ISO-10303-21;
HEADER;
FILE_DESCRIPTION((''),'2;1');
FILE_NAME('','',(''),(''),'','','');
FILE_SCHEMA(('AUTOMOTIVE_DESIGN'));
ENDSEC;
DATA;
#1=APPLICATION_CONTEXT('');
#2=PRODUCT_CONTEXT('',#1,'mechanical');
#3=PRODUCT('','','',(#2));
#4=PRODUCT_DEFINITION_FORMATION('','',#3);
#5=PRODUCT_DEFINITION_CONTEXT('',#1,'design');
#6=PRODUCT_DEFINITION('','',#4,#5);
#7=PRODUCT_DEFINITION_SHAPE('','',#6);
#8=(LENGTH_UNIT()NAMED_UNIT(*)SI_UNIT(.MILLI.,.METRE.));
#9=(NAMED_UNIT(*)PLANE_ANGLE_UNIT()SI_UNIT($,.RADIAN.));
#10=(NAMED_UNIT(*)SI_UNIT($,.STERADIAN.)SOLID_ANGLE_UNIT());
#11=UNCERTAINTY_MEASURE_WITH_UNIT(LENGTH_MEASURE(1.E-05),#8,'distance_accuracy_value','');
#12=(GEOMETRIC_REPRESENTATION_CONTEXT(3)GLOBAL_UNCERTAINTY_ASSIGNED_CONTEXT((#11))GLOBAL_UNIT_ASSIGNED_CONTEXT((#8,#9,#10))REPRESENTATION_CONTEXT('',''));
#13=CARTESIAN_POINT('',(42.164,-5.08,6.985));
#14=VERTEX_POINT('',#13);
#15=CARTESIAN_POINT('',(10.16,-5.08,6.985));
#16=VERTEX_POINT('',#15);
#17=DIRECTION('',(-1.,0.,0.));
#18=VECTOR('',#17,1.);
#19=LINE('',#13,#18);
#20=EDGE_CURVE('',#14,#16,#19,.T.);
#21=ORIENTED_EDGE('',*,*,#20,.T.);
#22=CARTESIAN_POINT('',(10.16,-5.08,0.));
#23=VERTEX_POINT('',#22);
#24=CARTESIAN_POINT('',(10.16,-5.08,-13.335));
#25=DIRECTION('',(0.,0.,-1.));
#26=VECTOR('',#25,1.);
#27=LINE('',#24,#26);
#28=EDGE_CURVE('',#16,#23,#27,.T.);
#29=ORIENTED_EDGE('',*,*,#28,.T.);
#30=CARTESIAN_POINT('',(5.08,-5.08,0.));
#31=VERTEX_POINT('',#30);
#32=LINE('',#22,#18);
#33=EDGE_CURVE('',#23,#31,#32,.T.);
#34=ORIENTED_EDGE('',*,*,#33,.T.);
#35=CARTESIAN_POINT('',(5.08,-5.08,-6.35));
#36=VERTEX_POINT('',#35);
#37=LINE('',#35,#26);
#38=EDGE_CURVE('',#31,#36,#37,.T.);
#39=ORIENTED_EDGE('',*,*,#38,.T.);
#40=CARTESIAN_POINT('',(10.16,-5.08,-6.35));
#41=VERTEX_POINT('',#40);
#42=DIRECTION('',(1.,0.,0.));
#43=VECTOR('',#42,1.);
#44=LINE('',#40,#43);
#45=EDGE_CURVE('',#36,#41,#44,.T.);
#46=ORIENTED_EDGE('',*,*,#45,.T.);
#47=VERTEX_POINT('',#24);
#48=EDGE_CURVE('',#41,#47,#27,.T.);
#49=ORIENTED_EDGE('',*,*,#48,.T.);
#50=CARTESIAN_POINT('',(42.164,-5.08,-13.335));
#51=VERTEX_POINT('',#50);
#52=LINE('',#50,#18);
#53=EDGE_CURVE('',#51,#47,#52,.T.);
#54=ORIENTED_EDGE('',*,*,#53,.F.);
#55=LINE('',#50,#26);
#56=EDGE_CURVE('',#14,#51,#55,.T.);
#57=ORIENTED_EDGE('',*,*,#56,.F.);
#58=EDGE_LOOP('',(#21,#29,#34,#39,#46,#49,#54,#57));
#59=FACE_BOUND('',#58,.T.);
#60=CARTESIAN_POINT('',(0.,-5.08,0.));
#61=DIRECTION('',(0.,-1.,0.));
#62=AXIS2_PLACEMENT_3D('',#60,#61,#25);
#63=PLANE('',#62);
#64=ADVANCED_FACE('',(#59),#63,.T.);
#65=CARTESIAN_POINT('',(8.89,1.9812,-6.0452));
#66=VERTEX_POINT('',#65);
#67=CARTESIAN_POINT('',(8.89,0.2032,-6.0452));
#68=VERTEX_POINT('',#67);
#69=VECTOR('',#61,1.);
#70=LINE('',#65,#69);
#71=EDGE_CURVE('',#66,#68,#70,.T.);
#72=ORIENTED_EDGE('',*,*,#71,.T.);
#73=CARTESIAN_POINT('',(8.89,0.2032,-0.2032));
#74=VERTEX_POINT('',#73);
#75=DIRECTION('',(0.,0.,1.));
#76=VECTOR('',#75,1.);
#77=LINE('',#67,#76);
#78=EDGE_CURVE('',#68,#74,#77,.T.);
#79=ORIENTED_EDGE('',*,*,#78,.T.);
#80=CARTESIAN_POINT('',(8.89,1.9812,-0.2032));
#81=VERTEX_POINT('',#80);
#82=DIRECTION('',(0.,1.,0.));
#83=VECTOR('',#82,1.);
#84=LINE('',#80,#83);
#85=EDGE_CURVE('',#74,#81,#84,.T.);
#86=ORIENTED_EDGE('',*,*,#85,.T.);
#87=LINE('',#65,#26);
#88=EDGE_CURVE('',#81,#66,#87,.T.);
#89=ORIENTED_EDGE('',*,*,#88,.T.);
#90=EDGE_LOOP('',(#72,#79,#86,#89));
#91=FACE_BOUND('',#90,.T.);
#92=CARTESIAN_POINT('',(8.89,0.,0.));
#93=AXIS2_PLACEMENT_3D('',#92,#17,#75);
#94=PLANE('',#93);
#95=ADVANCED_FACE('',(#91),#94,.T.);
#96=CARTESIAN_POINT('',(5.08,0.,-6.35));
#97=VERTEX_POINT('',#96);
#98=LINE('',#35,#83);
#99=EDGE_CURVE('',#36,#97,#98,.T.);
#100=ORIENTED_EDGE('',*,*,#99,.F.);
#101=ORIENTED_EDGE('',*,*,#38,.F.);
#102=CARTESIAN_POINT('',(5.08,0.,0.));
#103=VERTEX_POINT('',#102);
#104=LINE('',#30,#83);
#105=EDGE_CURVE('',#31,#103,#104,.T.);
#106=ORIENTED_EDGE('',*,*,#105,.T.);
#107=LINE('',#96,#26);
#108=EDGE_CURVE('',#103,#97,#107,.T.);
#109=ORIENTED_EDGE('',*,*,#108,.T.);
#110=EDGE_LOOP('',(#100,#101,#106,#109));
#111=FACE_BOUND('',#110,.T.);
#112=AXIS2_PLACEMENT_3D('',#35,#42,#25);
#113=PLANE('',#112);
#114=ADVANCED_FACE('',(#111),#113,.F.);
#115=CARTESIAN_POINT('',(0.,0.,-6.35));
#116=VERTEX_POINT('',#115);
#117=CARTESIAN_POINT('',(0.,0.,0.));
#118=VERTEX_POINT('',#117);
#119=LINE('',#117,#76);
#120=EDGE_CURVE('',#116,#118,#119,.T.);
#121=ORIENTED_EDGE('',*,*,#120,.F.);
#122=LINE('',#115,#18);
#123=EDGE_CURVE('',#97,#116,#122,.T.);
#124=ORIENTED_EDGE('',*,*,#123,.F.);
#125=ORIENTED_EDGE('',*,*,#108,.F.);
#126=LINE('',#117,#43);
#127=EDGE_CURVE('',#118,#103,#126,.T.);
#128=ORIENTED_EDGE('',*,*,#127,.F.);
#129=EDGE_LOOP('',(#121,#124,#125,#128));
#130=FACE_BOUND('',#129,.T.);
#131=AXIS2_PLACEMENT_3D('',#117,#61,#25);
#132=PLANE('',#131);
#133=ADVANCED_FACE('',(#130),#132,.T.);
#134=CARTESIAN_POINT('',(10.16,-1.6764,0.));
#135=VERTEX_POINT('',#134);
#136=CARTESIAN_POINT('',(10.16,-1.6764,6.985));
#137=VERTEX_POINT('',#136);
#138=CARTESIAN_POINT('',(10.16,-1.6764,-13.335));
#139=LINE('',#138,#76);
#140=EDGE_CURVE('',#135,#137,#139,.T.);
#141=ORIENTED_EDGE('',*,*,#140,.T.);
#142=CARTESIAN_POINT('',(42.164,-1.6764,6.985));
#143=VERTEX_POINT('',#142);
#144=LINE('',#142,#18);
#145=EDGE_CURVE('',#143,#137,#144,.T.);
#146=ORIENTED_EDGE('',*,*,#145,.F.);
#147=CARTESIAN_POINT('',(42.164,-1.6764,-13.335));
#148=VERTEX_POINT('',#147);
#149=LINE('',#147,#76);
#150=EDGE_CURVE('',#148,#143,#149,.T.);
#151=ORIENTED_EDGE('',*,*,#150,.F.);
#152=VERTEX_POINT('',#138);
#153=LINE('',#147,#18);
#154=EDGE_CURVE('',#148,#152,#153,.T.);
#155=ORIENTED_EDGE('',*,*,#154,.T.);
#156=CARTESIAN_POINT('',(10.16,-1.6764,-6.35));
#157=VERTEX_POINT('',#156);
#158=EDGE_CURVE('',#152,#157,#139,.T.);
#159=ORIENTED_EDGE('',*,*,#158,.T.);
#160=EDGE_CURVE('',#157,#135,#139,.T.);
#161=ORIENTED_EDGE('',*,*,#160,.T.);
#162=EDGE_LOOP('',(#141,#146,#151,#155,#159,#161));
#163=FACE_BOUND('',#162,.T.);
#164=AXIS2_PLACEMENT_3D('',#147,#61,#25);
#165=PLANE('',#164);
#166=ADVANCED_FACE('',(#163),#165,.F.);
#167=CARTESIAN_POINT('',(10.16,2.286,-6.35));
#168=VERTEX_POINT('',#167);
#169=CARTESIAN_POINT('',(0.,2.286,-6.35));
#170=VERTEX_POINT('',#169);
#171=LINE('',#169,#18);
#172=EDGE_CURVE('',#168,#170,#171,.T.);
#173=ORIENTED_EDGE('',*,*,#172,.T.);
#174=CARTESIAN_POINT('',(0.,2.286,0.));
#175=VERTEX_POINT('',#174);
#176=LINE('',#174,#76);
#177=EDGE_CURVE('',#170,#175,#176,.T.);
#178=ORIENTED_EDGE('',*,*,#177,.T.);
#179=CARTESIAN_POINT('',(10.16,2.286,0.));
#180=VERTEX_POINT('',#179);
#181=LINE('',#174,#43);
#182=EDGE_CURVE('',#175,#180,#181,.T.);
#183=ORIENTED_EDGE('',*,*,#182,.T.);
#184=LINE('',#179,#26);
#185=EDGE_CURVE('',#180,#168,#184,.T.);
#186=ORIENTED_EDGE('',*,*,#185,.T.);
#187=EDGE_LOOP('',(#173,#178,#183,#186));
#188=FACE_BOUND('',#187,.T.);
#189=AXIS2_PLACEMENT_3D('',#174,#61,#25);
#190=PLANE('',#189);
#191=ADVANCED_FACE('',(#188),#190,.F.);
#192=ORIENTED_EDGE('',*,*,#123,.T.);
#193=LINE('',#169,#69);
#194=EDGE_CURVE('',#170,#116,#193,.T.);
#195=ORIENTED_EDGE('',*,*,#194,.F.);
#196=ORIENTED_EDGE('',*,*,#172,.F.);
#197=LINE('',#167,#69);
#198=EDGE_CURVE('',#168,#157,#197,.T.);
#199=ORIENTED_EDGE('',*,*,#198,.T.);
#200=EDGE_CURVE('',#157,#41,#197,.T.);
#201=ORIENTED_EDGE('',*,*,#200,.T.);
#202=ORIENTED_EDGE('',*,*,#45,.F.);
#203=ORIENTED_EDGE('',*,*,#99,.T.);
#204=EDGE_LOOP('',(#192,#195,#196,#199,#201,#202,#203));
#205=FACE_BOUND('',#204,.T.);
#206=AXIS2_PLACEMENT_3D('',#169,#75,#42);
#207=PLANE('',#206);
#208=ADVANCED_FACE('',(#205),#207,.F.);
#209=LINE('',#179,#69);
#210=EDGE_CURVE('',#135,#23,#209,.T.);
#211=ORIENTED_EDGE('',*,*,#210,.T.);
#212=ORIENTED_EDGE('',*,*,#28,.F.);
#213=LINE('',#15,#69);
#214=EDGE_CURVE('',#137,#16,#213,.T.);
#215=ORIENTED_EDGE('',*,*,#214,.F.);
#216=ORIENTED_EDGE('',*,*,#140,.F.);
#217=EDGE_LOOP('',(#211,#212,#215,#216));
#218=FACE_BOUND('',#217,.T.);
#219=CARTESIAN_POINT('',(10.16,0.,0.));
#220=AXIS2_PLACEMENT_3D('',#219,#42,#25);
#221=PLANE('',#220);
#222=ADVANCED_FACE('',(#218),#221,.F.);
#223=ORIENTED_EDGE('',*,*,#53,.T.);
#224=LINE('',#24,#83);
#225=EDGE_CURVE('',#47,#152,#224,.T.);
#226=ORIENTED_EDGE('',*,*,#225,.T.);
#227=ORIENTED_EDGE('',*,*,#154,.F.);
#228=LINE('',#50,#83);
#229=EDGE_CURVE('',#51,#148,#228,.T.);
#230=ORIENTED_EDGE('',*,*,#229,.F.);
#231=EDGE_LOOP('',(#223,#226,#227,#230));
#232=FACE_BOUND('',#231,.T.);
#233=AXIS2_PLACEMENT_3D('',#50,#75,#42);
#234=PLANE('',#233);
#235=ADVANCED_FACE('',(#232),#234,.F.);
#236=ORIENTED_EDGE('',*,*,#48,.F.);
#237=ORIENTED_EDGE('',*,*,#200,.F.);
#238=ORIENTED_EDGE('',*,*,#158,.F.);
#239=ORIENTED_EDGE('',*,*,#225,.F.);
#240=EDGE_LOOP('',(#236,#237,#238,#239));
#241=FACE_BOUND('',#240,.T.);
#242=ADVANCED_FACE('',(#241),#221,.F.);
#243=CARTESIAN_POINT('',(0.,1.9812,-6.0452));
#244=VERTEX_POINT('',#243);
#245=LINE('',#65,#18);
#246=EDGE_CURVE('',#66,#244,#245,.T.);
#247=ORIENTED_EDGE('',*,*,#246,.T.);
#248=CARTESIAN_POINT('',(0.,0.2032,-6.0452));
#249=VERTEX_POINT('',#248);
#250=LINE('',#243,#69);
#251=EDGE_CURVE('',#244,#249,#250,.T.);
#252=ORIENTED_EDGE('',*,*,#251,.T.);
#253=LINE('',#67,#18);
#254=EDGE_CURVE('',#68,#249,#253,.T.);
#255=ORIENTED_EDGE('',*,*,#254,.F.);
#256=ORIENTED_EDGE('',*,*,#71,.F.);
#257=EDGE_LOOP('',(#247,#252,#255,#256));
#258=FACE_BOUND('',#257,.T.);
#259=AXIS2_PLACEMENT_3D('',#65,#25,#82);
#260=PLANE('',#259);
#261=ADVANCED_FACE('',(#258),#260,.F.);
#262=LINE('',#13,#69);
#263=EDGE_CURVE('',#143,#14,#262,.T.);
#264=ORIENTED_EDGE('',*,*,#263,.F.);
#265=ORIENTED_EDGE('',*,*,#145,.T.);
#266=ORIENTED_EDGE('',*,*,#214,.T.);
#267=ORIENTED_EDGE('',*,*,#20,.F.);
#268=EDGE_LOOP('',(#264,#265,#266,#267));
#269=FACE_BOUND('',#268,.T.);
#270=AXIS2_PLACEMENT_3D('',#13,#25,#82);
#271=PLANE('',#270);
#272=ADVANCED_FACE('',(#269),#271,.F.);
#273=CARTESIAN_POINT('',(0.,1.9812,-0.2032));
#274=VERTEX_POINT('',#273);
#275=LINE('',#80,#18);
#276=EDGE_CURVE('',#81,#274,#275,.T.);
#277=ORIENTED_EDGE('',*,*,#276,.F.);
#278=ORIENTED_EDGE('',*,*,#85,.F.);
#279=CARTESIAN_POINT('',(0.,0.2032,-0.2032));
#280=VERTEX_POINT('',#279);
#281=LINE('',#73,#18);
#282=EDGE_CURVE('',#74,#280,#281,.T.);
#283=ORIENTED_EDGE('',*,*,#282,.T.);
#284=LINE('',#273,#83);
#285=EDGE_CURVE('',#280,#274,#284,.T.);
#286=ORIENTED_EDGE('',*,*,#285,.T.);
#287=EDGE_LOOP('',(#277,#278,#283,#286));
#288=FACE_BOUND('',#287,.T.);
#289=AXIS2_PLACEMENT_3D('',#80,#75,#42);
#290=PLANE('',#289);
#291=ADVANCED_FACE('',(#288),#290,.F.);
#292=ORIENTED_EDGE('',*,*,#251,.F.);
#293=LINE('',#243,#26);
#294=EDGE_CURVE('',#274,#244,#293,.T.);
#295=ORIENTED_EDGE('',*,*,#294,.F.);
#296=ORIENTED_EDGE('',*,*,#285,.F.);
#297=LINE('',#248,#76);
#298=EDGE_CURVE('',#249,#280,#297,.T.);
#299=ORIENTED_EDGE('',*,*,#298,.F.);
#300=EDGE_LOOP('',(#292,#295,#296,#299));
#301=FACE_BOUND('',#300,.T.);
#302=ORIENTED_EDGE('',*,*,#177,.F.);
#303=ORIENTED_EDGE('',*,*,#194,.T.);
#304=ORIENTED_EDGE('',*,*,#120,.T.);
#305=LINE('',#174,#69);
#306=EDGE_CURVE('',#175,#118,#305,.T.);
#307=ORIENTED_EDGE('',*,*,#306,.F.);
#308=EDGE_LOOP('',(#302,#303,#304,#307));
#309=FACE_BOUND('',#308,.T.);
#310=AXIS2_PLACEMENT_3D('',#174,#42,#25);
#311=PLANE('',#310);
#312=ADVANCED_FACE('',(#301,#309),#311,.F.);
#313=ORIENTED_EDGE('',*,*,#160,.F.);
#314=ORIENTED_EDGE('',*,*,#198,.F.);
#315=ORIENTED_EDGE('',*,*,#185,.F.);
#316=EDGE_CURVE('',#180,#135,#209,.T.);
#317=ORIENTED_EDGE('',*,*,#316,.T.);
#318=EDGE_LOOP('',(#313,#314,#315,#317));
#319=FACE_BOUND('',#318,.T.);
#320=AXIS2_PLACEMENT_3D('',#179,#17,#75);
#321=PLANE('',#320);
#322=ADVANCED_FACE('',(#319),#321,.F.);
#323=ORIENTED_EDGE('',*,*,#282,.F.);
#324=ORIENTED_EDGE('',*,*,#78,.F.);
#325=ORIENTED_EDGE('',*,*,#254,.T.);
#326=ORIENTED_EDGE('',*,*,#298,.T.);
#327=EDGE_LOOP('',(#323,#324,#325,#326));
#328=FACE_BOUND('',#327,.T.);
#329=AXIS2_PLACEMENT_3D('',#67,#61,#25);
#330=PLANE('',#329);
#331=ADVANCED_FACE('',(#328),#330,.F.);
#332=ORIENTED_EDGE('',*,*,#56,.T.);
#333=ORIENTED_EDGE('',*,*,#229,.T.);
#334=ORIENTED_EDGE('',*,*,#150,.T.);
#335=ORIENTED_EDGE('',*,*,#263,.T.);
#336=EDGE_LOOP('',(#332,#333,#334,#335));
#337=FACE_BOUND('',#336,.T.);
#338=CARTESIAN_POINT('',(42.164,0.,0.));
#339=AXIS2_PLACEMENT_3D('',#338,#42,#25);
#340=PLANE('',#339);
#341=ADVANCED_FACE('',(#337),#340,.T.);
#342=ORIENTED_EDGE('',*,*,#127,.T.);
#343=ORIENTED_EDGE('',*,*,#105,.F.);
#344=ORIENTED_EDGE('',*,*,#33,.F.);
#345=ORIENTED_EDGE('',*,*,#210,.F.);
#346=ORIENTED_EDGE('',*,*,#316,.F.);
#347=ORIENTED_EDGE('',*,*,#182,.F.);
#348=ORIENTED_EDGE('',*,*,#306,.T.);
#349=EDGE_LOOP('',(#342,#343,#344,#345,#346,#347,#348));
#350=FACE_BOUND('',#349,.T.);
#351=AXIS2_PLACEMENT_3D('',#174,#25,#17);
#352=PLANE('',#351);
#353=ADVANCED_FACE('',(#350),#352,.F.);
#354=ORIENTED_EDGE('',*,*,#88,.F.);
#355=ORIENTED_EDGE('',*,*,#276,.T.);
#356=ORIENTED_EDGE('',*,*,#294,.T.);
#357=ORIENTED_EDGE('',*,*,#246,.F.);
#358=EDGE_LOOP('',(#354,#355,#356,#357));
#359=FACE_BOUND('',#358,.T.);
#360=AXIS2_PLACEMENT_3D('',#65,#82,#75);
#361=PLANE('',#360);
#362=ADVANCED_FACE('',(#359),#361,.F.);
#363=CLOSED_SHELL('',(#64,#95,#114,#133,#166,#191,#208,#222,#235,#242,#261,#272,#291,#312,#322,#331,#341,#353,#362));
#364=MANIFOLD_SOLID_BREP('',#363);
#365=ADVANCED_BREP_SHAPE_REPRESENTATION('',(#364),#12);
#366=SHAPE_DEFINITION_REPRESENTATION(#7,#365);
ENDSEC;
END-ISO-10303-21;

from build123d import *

# Parameters (mm, degrees)
SKETCH1_W           = 10.16
SKETCH1_H           = 6.35
BOSS_EXTRUDE1_DEPTH = 2.286
SKETCH2_W           = 5.842
SKETCH2_H           = 1.778
CUT_EXTRUDE1_DEPTH  = 8.89
SKETCH3_W           = 5.08
SKETCH3_H           = 6.35
BOSS_EXTRUDE2_DEPTH = 5.08
SKETCH4_W           = 20.32
SKETCH4_H           = 3.4036
BOSS_EXTRUDE3_DEPTH = 32.004


with BuildPart() as part:
    # Sketch1 → Boss-Extrude1 (new body)
    with BuildSketch(Plane(origin=(0, 0, 0), x_dir=(1, 0, 0), z_dir=(0, 1, 0))):
        with Locations((5.08, 3.175)):
            Rectangle(SKETCH1_W, SKETCH1_H)
    extrude(amount=BOSS_EXTRUDE1_DEPTH)

    # Sketch2 → Cut-Extrude1 (cut)
    with BuildSketch(Plane.ZY):
        with Locations((-3.1242, 1.0922)):
            Rectangle(SKETCH2_W, SKETCH2_H)
    extrude(amount=-CUT_EXTRUDE1_DEPTH, mode=Mode.SUBTRACT)

    # Sketch3 → Boss-Extrude2 (add)
    with BuildSketch(Plane.XZ):
        with Locations((7.62, -3.175)):
            Rectangle(SKETCH3_W, SKETCH3_H)
    extrude(amount=BOSS_EXTRUDE2_DEPTH)

    # Sketch4 → Boss-Extrude3 (add)
    with BuildSketch(Plane(origin=(10.16, 0, 0), x_dir=(0, 0, -1), z_dir=(1, 0, 0))):
        with Locations((3.175, -3.3782)):
            Rectangle(SKETCH4_W, SKETCH4_H)
    extrude(amount=BOSS_EXTRUDE3_DEPTH)


solid = part.part
